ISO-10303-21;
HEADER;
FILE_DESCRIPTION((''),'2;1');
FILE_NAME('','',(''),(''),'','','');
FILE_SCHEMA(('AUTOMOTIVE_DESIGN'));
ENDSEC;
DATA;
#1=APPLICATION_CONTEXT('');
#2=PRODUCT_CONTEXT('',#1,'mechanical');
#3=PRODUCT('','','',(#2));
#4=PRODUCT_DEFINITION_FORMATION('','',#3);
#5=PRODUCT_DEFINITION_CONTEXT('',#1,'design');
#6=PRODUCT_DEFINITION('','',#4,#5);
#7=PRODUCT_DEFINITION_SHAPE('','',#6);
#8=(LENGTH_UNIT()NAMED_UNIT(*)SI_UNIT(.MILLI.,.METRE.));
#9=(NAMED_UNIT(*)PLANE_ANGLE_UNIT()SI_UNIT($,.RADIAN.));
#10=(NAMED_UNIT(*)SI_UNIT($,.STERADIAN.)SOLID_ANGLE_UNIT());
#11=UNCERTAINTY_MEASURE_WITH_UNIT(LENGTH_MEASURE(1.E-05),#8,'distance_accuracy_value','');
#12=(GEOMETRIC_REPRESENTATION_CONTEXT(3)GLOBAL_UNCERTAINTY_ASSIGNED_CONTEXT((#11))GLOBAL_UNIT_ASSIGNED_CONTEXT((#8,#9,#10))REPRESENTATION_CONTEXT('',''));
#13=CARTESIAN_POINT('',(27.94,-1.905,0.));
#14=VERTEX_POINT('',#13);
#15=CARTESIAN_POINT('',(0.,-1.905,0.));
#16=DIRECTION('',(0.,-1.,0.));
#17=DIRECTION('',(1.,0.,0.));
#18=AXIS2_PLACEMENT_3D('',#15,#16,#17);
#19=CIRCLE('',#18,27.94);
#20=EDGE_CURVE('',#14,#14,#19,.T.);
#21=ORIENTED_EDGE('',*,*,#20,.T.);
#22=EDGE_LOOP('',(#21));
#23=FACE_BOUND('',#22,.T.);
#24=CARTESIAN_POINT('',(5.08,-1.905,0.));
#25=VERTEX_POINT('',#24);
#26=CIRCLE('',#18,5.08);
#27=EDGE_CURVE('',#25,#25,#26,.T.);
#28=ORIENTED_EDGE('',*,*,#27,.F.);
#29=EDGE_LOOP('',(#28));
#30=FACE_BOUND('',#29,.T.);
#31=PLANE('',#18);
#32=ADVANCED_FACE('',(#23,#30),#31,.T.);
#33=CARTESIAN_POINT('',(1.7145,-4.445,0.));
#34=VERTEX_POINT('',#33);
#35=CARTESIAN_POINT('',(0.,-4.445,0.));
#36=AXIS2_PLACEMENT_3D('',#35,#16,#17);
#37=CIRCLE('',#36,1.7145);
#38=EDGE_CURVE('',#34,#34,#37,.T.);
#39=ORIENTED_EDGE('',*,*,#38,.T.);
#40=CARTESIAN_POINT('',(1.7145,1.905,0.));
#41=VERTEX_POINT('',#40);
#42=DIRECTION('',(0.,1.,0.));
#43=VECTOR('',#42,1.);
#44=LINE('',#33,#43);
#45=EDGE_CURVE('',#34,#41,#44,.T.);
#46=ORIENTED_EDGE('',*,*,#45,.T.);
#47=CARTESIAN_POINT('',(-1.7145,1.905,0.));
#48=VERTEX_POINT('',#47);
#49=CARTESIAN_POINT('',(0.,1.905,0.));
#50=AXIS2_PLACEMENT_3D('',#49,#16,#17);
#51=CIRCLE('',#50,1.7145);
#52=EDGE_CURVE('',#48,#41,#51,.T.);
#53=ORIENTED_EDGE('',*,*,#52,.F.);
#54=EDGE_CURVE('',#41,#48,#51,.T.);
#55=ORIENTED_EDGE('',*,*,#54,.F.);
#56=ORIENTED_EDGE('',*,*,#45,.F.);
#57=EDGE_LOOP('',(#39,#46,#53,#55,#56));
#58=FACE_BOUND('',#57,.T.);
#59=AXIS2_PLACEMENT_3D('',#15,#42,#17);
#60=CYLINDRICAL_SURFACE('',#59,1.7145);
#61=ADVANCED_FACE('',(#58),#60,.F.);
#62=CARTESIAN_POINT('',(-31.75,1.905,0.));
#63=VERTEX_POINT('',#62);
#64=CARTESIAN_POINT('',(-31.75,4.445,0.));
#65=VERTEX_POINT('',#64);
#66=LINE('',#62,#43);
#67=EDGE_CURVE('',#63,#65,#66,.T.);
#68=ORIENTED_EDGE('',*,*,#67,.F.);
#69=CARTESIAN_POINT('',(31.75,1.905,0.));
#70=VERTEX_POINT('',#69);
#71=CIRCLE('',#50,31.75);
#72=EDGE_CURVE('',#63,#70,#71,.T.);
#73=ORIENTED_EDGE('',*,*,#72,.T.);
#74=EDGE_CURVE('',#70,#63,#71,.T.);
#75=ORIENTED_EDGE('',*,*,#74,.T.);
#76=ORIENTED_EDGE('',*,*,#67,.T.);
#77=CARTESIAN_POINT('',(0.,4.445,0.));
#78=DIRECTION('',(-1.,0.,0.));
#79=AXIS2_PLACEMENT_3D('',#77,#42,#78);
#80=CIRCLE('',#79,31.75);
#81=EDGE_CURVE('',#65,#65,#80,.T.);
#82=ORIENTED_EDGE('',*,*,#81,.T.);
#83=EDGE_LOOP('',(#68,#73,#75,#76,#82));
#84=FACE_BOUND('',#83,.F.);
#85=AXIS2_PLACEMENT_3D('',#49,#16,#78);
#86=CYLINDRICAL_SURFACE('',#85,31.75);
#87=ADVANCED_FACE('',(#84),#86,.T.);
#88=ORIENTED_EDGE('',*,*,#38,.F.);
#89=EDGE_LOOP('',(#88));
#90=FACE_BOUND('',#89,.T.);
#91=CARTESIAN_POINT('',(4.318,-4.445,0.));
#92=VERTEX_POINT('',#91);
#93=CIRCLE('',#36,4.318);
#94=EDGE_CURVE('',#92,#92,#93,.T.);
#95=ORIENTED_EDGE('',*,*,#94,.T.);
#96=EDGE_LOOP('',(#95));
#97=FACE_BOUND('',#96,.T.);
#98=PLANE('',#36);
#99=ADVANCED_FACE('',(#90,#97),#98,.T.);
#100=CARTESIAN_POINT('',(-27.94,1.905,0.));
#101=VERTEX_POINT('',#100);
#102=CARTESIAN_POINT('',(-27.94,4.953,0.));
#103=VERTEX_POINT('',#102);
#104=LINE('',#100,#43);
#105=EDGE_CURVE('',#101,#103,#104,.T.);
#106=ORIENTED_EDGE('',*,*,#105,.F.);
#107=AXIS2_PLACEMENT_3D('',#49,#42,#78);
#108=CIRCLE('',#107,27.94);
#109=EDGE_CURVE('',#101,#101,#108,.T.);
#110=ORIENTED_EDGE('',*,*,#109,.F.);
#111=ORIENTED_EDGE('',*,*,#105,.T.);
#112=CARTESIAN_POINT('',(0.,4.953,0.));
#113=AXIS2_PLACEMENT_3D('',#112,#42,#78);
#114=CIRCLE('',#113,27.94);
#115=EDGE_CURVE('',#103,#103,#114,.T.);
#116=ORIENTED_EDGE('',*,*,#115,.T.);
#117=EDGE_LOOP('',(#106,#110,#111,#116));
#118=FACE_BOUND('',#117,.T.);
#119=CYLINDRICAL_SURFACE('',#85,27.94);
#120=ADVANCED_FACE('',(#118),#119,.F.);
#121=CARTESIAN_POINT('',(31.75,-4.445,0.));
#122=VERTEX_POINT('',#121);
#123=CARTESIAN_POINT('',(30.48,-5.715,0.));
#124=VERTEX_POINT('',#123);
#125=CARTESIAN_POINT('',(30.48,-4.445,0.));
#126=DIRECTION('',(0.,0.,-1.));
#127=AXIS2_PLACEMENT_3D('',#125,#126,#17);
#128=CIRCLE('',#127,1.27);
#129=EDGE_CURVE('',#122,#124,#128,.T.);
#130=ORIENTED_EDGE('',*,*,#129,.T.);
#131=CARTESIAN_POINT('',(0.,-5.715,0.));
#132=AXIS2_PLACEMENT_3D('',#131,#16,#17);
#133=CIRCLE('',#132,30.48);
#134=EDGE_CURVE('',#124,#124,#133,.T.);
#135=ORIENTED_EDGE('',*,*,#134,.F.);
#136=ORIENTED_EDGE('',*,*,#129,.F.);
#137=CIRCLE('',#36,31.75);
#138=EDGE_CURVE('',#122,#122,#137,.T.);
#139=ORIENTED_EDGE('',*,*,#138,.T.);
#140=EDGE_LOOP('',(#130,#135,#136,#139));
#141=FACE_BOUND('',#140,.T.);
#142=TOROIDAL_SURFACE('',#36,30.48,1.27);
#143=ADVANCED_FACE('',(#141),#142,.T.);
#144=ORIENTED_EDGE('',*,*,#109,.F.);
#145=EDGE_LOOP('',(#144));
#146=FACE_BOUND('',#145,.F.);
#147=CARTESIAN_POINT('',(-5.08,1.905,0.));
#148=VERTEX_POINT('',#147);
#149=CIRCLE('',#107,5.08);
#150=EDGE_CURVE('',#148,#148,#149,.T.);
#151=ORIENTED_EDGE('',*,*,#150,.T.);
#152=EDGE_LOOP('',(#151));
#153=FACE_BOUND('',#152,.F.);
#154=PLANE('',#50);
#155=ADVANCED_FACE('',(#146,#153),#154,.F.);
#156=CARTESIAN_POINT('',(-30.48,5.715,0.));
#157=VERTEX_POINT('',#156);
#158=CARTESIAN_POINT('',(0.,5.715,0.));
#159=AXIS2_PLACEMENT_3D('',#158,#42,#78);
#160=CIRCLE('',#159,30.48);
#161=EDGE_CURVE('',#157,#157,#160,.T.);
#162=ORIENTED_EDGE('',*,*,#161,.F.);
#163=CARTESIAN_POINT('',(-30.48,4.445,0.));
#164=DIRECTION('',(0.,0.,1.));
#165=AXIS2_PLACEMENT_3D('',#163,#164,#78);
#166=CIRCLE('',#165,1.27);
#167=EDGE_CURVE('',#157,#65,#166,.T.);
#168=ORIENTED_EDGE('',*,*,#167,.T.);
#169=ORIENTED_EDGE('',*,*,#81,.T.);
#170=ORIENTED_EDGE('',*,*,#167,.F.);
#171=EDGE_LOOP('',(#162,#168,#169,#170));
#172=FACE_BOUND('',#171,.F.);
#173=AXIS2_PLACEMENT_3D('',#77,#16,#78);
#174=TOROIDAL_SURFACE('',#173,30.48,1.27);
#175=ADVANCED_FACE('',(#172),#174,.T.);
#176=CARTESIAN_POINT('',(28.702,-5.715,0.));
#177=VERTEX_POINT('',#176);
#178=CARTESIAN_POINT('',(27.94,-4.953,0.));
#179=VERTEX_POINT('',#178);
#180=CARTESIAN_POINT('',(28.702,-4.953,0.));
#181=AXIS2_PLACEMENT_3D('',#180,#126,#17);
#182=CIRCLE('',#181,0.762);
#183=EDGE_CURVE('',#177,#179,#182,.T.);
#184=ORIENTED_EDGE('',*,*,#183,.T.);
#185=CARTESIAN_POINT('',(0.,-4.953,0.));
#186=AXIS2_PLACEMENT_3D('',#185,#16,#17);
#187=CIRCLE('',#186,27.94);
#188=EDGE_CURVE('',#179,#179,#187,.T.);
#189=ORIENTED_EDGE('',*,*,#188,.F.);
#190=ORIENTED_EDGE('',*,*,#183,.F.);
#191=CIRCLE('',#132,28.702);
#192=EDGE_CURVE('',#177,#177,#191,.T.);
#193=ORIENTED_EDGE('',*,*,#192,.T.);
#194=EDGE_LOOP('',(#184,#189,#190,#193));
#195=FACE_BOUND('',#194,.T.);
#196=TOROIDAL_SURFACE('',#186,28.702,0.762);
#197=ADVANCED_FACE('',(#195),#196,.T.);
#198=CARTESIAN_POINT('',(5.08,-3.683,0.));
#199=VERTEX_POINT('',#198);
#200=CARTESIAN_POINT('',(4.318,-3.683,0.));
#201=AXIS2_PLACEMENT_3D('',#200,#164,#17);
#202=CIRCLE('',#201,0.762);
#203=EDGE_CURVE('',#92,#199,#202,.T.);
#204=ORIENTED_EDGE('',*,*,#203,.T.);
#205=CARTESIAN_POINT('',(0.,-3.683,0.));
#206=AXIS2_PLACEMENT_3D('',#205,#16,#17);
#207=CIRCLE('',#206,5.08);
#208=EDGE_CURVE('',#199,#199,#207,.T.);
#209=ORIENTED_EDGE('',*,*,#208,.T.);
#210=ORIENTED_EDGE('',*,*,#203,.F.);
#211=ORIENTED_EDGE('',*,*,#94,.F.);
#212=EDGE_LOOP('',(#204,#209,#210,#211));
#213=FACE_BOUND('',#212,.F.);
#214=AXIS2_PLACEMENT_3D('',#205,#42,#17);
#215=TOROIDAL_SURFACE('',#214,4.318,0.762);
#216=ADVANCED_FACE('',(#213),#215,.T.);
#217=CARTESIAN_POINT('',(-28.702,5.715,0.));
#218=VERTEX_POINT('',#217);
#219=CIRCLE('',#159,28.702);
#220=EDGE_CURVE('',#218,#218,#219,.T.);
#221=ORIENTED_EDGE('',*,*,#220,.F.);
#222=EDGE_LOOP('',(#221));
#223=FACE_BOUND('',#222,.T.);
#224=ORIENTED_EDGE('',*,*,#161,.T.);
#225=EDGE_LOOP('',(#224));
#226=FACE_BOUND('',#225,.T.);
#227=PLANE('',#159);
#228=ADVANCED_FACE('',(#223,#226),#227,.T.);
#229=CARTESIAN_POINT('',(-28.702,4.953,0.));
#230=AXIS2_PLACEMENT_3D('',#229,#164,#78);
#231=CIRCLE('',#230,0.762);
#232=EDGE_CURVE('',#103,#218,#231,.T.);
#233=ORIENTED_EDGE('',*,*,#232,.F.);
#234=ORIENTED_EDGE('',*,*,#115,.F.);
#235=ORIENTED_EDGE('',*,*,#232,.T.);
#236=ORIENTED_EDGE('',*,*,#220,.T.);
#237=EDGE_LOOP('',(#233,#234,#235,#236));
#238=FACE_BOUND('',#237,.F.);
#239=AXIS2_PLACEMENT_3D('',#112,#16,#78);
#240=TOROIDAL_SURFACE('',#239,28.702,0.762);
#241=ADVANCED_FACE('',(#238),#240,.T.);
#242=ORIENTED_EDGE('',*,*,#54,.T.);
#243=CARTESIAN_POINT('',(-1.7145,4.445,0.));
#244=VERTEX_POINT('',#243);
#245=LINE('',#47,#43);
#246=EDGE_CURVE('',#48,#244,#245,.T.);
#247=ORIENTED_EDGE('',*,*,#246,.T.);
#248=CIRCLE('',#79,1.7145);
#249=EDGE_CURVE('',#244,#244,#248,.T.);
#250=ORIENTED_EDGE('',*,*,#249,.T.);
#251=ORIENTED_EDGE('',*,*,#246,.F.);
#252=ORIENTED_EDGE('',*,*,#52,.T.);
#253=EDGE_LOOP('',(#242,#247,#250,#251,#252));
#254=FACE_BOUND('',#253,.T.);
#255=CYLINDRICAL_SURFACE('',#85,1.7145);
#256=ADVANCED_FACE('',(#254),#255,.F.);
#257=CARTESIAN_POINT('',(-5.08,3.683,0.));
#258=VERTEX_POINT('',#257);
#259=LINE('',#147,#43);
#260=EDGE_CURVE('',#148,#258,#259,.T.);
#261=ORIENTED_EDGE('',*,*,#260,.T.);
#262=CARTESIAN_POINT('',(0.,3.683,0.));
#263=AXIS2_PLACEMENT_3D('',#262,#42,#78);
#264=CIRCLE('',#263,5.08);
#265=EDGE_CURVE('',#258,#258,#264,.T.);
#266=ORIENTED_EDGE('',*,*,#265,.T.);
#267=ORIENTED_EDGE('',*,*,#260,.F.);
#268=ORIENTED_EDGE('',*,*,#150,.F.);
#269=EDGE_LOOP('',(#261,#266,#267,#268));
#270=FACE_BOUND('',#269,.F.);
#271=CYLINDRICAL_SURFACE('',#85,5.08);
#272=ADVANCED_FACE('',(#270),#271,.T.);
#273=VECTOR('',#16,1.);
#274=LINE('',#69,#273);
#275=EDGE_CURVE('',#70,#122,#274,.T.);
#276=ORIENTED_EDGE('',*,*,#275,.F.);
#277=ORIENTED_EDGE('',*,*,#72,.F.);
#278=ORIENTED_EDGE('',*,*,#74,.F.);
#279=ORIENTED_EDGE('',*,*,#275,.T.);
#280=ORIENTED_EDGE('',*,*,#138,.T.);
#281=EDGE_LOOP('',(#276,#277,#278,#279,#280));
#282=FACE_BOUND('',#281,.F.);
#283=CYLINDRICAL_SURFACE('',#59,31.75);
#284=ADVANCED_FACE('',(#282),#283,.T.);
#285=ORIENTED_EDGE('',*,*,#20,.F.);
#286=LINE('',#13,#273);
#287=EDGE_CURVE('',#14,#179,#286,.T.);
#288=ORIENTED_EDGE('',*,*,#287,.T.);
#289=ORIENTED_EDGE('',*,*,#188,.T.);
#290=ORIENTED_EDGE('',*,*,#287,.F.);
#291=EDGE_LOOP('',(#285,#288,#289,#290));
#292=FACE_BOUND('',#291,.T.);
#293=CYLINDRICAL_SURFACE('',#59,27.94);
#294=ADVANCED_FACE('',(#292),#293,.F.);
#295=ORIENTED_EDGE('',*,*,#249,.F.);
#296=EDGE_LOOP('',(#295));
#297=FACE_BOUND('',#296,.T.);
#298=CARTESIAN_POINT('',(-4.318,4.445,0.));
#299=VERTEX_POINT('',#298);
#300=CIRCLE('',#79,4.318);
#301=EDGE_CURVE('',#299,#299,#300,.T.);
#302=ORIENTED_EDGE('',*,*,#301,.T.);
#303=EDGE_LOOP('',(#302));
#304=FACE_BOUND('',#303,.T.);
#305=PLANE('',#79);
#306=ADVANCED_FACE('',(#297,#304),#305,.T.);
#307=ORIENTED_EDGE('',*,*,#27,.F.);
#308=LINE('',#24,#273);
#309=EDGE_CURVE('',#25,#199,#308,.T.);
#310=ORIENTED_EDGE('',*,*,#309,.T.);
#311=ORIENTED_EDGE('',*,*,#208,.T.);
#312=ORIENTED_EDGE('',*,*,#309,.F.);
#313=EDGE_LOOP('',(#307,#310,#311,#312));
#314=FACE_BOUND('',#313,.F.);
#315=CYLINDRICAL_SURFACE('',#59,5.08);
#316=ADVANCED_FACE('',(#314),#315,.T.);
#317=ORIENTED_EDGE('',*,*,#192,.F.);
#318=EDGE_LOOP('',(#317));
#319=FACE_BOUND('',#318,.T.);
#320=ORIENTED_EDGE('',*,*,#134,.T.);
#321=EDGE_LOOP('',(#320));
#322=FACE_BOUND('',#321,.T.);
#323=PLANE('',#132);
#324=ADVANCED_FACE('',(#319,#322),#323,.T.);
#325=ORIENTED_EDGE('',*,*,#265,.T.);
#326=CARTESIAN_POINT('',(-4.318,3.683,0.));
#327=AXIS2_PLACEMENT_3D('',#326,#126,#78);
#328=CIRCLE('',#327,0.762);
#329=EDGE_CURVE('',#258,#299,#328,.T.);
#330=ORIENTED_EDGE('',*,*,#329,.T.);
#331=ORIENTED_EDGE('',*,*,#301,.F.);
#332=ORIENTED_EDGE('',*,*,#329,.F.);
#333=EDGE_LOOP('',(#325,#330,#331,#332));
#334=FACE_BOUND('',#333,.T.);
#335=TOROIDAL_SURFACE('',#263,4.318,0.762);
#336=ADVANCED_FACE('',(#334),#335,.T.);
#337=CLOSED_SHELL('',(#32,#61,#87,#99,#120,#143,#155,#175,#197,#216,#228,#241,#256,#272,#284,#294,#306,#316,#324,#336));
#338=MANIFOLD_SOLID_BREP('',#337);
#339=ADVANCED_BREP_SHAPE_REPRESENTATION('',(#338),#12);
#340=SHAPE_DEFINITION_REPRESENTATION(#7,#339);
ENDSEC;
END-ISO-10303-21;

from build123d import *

# Parameters (mm, degrees)
F0_R     = 31.75
F0_R_2   = 25.4
F0_R_3   = 1.7145
F1_DEPTH = 1.905
F2_R     = 31.75
F2_R_2   = 27.94
F3_DEPTH = 3.81
F4_R     = 31.75
F4_R_2   = 27.94
F5_DEPTH = 3.81
F6_R     = 5.08
F6_R_2   = 1.7145
F7_DEPTH = 2.54
F8_R     = 5.08
F8_R_2   = 1.7145
F9_DEPTH = 2.54
F10_R    = 0.762
F11_R    = 1.27


with BuildPart() as f1:
    # F0 (on Front) → F1 (new body, symmetric)
    with BuildSketch(Plane.XZ):
        Circle(F0_R)
        Circle(F0_R_2, mode=Mode.SUBTRACT)
        Circle(F0_R_2)
        Circle(F0_R_3, mode=Mode.SUBTRACT)
    extrude(amount=F1_DEPTH, both=True)

    # F2 (on face) → F3 (join)
    with BuildSketch(Plane.XZ.offset(1.905)):
        Circle(F2_R)
        Circle(F2_R_2, mode=Mode.SUBTRACT)
    extrude(amount=F3_DEPTH)

    # F4 (on face) → F5 (join)
    with BuildSketch(Plane(origin=(0, 1.905, 0), x_dir=(-1, 0, 0), z_dir=(0, 1, 0))):
        Circle(F4_R)
        Circle(F4_R_2, mode=Mode.SUBTRACT)
    extrude(amount=F5_DEPTH)

    # F6 (on face) → F7 (join)
    with BuildSketch(Plane.XZ.offset(1.905)):
        Circle(F6_R)
        Circle(F6_R_2, mode=Mode.SUBTRACT)
    extrude(amount=F7_DEPTH)

    # F8 (on face) → F9 (join)
    with BuildSketch(Plane(origin=(0, 1.905, 0), x_dir=(-1, 0, 0), z_dir=(0, 1, 0))):
        Circle(F8_R)
        Circle(F8_R_2, mode=Mode.SUBTRACT)
    extrude(amount=F9_DEPTH)

    # F10
    f10_edges = [f1.edges().sort_by_distance(p)[0] for p in [
        (27.94, 5.715, 0),
        (-27.94, -5.715, 0),
        (5.08, 4.445, 0),
        (-5.08, -4.445, 0),
    ]]
    fillet(f10_edges, radius=F10_R)

    # F11
    f11_edges = [f1.edges().sort_by_distance(p)[0] for p in [
        (-31.75, -5.715, 0),
        (31.75, 5.715, 0),
    ]]
    fillet(f11_edges, radius=F11_R)


solid = f1.part
